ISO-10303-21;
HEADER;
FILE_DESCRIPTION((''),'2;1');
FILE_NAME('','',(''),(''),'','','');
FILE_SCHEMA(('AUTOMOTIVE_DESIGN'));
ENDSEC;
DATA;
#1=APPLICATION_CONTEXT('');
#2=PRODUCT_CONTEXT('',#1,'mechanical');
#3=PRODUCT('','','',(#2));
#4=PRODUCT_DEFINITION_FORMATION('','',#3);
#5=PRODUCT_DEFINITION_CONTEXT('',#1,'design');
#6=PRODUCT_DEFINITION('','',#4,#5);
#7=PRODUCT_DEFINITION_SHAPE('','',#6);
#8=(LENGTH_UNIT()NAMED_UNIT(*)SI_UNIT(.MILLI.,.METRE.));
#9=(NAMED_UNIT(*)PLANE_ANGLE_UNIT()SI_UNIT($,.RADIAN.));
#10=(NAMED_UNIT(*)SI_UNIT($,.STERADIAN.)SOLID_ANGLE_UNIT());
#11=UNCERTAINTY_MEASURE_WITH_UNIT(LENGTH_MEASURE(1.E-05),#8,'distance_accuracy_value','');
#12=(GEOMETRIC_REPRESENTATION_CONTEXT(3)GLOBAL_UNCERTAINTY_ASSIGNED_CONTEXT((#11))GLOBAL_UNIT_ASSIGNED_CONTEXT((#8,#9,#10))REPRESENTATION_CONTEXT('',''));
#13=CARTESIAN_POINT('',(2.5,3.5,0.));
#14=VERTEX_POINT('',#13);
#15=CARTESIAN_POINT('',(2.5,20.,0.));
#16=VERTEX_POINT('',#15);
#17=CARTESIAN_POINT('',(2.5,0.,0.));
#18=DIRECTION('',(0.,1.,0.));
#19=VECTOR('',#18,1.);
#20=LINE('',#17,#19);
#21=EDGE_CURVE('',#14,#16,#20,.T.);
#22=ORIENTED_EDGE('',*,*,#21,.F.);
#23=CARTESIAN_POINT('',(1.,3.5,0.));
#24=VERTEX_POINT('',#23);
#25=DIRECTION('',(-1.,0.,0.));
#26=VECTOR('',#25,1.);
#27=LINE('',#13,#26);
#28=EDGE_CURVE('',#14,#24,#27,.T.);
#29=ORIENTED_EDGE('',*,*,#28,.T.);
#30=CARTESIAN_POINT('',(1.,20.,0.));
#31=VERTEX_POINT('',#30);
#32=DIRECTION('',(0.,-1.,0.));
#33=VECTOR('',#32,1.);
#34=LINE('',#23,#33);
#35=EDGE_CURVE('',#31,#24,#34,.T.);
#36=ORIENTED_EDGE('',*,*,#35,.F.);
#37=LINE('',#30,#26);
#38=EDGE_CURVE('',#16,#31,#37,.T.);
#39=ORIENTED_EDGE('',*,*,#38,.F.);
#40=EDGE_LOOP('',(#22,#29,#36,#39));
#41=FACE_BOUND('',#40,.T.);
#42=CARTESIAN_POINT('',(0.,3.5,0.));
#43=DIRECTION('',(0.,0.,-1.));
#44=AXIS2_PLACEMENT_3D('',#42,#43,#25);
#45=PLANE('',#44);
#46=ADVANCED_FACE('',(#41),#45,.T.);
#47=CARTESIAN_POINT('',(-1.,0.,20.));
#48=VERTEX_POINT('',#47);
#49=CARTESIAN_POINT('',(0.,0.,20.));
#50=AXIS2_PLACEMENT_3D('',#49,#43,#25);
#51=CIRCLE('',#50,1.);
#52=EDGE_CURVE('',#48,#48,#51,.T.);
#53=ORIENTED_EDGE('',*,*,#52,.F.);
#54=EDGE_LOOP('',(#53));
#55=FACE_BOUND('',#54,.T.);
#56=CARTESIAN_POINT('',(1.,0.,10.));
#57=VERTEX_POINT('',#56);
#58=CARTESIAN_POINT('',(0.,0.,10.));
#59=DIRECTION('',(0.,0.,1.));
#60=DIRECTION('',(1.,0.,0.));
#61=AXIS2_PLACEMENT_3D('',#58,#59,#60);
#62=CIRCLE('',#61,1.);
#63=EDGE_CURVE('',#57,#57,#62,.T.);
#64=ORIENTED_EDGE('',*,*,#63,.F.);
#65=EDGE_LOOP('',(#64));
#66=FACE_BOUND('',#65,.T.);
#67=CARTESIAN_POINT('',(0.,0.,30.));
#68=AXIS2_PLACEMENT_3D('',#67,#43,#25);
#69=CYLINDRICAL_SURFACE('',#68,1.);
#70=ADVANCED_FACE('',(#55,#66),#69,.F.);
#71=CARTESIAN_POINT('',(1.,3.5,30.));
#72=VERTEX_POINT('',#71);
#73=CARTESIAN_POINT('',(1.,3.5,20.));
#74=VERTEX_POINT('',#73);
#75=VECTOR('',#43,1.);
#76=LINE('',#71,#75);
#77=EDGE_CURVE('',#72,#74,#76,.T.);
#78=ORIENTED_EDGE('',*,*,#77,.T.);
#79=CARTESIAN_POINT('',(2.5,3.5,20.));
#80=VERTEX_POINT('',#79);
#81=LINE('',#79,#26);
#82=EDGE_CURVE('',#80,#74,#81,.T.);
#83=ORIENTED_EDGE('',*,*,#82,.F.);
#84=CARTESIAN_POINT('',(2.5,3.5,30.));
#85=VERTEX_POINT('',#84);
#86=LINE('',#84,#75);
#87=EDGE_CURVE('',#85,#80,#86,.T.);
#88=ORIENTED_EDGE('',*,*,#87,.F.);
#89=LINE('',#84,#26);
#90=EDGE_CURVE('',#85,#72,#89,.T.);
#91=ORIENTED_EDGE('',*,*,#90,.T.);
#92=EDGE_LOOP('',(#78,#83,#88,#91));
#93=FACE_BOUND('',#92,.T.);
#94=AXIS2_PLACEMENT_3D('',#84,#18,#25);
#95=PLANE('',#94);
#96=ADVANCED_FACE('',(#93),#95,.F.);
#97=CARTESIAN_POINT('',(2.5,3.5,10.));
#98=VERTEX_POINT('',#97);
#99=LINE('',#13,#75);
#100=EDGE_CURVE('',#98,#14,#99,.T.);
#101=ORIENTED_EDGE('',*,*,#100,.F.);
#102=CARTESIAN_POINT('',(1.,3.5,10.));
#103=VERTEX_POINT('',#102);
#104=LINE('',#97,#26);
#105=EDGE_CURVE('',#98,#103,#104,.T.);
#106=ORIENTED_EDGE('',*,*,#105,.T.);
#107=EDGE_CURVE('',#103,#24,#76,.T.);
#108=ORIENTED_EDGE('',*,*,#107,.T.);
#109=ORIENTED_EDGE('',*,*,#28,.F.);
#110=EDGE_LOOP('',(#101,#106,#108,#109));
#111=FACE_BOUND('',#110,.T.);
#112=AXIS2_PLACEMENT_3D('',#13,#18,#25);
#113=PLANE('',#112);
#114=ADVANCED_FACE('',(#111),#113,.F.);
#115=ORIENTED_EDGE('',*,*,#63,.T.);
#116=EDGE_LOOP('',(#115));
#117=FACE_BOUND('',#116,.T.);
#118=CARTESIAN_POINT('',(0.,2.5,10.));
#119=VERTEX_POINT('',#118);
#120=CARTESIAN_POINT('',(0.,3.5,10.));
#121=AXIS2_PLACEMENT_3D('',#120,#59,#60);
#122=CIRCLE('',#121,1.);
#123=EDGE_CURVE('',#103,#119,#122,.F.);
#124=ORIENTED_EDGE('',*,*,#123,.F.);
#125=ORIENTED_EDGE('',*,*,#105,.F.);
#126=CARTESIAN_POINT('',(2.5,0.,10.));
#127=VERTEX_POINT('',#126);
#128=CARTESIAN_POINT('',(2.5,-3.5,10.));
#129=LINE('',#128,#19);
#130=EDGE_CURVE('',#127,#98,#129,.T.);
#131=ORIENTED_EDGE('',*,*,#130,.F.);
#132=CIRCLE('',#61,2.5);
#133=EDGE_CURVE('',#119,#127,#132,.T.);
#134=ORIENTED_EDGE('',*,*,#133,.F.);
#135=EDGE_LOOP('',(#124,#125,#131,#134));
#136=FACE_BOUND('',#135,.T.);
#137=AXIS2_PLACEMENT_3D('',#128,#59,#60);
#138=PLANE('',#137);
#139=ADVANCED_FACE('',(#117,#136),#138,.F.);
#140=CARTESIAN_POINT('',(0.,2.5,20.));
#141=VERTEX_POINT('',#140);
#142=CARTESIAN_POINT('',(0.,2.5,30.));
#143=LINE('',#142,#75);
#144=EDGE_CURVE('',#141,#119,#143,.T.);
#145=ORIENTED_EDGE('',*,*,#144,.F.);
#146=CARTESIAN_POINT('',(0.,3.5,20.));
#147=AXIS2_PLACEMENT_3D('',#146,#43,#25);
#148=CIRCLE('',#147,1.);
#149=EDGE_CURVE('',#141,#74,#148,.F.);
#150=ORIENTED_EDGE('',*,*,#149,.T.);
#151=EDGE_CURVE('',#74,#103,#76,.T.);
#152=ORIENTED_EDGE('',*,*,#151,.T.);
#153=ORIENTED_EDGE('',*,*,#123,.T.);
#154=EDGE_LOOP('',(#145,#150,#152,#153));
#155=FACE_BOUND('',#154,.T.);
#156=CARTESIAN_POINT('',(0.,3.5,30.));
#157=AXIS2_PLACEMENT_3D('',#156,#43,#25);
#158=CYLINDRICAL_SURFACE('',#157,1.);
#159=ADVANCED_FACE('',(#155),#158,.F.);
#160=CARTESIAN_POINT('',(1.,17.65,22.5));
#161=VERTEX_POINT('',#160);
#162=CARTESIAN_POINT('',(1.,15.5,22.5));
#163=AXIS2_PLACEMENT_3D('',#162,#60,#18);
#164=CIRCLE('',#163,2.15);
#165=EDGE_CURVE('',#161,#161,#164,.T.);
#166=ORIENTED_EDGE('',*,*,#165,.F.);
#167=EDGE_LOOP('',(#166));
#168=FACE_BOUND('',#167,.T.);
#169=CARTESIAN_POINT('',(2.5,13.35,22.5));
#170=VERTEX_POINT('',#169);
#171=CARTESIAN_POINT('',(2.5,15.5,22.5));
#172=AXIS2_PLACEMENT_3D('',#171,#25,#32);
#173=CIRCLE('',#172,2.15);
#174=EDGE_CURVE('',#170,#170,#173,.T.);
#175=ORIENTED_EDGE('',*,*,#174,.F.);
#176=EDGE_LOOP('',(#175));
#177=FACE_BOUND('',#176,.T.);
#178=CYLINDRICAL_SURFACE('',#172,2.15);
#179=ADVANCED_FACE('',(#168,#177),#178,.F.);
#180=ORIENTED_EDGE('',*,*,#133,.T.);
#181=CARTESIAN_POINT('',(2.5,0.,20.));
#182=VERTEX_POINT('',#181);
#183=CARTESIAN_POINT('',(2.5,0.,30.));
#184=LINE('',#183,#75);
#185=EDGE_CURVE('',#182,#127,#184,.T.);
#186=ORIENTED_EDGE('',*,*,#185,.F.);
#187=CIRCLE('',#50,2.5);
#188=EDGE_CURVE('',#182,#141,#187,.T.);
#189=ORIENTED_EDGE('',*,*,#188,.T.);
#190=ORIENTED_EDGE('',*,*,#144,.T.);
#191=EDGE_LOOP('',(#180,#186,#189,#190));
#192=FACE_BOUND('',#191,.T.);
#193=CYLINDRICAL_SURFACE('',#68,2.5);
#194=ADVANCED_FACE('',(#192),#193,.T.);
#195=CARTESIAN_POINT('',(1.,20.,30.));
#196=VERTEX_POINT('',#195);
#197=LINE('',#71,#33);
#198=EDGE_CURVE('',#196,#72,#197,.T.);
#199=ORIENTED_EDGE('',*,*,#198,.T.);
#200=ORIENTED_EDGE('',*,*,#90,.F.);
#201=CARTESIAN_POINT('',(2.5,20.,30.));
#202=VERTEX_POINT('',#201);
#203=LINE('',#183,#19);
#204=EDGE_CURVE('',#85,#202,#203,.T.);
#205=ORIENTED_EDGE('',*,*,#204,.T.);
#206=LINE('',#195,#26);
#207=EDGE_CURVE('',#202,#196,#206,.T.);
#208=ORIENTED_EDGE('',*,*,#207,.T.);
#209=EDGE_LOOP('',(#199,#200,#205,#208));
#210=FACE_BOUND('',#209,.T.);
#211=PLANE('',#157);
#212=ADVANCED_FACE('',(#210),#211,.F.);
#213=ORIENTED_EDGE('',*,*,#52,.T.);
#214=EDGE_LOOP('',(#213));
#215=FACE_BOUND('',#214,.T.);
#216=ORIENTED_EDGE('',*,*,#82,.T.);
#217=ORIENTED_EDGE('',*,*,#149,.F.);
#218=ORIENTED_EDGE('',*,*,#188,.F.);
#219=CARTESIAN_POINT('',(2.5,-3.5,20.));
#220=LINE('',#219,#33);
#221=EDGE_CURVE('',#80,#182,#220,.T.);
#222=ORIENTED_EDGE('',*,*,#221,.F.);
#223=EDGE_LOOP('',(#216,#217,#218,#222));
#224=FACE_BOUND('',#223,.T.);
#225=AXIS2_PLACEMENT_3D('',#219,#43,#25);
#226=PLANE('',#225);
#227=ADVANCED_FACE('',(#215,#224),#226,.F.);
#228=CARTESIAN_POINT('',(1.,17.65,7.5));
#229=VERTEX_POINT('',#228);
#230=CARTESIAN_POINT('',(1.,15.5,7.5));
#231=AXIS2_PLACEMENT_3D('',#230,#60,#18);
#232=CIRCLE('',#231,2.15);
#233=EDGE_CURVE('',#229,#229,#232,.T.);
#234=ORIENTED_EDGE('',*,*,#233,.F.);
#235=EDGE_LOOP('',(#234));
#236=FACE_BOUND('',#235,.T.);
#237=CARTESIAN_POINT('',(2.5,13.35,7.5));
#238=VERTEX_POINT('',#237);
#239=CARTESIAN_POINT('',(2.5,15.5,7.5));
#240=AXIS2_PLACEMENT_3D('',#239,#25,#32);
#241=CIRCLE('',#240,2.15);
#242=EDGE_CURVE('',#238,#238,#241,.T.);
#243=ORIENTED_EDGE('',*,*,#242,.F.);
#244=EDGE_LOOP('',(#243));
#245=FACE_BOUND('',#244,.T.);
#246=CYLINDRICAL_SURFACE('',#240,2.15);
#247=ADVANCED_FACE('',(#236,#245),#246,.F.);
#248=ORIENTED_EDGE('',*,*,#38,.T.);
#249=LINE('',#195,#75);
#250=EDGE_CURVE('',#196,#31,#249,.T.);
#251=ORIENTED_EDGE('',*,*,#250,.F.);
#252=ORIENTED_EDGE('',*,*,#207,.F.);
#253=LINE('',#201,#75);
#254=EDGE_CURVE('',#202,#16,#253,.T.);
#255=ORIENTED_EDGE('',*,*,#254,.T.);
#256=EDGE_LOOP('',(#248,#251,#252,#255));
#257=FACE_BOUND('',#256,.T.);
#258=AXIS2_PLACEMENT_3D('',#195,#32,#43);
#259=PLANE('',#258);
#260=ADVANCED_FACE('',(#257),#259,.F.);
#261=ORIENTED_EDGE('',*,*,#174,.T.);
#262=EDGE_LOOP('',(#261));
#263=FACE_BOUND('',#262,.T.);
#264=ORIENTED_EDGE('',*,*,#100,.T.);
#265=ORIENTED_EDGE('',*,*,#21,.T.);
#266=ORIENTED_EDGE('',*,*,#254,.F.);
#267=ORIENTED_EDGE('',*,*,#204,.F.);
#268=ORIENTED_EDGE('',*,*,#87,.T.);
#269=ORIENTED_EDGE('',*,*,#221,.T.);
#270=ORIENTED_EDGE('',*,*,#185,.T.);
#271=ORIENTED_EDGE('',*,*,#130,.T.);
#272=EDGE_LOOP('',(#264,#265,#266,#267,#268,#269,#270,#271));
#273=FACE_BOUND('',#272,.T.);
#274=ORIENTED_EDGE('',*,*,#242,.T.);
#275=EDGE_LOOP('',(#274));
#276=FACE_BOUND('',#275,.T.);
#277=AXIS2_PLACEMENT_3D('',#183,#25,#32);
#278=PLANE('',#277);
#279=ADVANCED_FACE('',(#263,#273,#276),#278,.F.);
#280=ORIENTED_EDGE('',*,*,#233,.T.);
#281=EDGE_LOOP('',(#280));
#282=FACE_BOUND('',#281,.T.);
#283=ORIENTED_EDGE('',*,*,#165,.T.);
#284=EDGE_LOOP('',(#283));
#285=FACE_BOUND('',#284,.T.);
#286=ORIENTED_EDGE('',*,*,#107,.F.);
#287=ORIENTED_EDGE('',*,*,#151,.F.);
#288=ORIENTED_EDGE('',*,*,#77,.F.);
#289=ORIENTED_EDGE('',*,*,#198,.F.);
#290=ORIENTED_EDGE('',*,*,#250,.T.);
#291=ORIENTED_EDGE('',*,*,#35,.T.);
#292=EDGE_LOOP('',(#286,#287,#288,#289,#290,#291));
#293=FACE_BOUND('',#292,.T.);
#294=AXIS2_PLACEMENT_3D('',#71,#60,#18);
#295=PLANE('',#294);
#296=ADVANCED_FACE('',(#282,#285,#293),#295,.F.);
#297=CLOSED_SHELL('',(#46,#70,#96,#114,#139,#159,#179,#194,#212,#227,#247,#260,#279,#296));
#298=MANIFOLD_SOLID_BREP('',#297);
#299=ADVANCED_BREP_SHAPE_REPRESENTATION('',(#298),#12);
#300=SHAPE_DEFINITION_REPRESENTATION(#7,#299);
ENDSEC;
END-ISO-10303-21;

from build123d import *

# Parameters (mm, degrees)
SKETCH2_R               = 1
BOSS_EXTRUDE2_DEPTH     = 30
CUT_EXTRUDE1_DEPTH      = 37.224991373
CUT_EXTRUDE1_DEPTH_BACK = 37.224991373
SKETCH3_R               = 2.15
SKETCH3_W               = 10
SKETCH3_H               = 7


with BuildPart() as part:
    # Sketch2 → Boss-Extrude2 (new body)
    with BuildSketch(Plane.XY):
        with BuildLine():
            Line((1, 3.5), (1, 20))
            Line((1, 20), (2.5, 20))
            Line((2.5, 20), (2.5, 0))
            ThreePointArc((2.5, 0), (-1.767766953, -1.767766953), (0, 2.5))
            ThreePointArc((0, 2.5), (0.707106781, 2.792893219), (1, 3.5))
        make_face()
        Circle(SKETCH2_R, mode=Mode.SUBTRACT)
    extrude(amount=BOSS_EXTRUDE2_DEPTH)

    # Sketch3 → Cut-Extrude1 (cut, two sides: drawn at the far end of the back side and taken through both)
    with BuildSketch(Plane.ZY.offset(-1).offset(-CUT_EXTRUDE1_DEPTH_BACK)):
        with Locations(Location((7.5, 15.5, 0), (0, 0, 270))):
            Circle(SKETCH3_R)
        with Locations(Location((22.5, 15.5, 0), (0, 0, 270))):
            Circle(SKETCH3_R)
        with Locations((5, 0)):
            Rectangle(SKETCH3_W, SKETCH3_H)
        with Locations((25, 0)):
            Rectangle(SKETCH3_W, SKETCH3_H)
    extrude(amount=CUT_EXTRUDE1_DEPTH + CUT_EXTRUDE1_DEPTH_BACK, mode=Mode.SUBTRACT)


solid = part.part
